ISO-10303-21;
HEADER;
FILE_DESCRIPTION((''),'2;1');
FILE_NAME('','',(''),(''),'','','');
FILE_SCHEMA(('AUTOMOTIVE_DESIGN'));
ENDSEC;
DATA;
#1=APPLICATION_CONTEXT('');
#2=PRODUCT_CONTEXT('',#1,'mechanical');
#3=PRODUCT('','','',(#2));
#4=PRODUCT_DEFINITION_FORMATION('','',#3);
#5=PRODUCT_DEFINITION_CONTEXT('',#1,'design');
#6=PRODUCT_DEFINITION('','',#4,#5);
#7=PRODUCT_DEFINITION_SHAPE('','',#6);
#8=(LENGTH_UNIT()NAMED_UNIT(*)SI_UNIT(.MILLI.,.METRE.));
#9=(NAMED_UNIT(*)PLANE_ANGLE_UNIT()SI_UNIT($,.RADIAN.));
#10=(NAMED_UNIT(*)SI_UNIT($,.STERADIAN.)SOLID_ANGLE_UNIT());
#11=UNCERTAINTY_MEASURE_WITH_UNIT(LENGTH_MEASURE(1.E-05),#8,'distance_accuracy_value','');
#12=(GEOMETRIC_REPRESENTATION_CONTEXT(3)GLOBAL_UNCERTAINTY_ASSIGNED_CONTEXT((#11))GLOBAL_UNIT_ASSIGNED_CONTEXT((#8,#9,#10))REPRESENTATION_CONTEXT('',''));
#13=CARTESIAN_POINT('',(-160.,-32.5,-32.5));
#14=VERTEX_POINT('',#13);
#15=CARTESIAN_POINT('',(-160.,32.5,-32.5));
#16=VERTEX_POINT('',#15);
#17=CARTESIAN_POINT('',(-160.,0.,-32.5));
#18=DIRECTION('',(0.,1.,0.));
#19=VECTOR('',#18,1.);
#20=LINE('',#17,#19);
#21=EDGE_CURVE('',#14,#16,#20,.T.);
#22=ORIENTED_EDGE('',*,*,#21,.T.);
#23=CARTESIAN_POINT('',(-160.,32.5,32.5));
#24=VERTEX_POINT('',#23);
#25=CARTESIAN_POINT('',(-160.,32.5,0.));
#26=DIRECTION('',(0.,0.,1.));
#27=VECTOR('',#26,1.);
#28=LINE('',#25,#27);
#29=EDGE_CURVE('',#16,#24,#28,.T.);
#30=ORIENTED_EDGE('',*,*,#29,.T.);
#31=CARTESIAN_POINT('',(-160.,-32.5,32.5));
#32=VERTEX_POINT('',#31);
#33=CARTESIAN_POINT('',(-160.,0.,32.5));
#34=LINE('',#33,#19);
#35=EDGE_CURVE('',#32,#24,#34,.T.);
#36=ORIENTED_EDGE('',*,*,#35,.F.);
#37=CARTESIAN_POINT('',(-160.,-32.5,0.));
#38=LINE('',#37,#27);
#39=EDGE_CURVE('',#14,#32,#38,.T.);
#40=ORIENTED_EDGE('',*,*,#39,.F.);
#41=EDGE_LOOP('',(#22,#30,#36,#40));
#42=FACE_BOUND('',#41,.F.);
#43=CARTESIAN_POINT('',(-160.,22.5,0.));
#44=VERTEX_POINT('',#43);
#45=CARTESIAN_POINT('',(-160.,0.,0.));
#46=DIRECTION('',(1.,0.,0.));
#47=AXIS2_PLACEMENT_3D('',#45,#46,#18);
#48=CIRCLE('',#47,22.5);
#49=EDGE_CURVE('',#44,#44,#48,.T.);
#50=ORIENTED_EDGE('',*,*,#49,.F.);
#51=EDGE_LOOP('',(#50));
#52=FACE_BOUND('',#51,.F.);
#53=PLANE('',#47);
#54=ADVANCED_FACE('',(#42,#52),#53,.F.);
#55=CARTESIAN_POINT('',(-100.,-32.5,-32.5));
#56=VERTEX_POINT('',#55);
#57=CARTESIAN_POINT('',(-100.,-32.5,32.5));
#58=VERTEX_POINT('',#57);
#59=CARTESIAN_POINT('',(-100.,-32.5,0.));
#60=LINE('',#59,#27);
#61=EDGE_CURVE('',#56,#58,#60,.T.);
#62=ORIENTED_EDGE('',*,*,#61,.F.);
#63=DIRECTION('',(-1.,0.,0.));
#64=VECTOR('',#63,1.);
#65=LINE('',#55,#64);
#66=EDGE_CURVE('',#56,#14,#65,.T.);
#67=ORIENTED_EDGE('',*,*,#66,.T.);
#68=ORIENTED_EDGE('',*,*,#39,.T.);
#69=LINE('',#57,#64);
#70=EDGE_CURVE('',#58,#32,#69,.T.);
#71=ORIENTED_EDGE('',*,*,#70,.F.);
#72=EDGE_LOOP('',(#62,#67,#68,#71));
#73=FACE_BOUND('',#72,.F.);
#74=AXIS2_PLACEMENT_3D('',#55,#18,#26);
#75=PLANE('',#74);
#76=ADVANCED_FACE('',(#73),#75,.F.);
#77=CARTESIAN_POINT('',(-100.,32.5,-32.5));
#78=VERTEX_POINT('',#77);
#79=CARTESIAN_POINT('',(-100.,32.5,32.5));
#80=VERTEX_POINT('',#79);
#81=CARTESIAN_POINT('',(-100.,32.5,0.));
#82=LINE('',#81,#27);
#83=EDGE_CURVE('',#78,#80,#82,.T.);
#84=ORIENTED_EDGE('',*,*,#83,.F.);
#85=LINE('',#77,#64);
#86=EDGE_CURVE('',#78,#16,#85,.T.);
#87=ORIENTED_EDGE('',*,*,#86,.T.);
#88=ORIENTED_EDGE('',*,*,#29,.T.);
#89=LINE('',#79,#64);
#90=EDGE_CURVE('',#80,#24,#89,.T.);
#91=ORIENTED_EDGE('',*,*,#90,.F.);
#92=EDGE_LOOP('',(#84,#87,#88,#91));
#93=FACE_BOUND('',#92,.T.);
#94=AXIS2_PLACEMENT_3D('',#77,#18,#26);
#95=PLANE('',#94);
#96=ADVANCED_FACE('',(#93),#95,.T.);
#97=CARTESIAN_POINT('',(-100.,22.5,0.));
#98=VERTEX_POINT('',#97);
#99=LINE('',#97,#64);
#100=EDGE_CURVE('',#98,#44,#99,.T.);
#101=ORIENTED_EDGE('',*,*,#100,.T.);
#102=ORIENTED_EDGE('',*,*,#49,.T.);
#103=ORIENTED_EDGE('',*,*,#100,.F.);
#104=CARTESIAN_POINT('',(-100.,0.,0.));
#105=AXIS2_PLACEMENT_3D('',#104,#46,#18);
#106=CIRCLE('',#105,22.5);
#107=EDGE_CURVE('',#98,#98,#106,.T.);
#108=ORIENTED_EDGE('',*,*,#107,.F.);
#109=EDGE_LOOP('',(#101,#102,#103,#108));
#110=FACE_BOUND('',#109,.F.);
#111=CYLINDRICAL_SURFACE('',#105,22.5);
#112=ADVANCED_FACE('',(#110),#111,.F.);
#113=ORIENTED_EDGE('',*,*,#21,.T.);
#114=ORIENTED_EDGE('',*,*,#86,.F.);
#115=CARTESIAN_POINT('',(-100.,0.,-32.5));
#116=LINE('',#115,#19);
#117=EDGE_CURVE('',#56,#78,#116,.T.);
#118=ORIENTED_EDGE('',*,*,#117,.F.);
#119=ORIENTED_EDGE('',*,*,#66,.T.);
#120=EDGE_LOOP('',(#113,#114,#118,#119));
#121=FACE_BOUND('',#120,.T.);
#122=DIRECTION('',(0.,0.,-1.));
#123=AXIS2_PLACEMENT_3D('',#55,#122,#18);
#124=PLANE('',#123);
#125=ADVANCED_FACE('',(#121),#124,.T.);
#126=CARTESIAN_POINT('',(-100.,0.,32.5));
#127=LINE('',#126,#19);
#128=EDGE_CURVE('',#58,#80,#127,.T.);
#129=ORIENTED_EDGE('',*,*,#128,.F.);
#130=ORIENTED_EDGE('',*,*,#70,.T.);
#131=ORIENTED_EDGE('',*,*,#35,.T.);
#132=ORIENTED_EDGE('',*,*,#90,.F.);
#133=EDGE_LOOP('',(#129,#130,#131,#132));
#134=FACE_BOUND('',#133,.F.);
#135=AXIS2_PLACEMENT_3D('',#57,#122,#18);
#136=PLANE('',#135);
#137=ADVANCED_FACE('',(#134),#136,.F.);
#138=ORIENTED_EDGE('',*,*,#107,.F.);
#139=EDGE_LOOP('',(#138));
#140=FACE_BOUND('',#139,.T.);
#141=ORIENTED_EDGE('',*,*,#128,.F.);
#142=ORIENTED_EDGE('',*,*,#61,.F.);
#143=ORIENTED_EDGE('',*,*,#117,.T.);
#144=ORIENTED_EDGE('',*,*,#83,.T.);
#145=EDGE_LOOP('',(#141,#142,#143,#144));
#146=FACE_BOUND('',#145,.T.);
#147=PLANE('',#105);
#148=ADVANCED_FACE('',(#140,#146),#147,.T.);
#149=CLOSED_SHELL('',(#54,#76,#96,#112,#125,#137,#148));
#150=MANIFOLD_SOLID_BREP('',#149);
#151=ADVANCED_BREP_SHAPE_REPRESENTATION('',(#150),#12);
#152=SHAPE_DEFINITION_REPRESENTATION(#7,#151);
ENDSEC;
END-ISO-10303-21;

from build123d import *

# Parameters (mm, degrees)
F1_W     = 65
F1_H     = 65
F1_R     = 22.5
F2_DEPTH = 60


with BuildPart() as f2:
    # F1 (on offset) → F2 (new body)
    with BuildSketch(Plane.YZ.offset(-100)):
        Rectangle(F1_W, F1_H)
        Circle(F1_R, mode=Mode.SUBTRACT)
    extrude(amount=-F2_DEPTH)


solid = f2.part
